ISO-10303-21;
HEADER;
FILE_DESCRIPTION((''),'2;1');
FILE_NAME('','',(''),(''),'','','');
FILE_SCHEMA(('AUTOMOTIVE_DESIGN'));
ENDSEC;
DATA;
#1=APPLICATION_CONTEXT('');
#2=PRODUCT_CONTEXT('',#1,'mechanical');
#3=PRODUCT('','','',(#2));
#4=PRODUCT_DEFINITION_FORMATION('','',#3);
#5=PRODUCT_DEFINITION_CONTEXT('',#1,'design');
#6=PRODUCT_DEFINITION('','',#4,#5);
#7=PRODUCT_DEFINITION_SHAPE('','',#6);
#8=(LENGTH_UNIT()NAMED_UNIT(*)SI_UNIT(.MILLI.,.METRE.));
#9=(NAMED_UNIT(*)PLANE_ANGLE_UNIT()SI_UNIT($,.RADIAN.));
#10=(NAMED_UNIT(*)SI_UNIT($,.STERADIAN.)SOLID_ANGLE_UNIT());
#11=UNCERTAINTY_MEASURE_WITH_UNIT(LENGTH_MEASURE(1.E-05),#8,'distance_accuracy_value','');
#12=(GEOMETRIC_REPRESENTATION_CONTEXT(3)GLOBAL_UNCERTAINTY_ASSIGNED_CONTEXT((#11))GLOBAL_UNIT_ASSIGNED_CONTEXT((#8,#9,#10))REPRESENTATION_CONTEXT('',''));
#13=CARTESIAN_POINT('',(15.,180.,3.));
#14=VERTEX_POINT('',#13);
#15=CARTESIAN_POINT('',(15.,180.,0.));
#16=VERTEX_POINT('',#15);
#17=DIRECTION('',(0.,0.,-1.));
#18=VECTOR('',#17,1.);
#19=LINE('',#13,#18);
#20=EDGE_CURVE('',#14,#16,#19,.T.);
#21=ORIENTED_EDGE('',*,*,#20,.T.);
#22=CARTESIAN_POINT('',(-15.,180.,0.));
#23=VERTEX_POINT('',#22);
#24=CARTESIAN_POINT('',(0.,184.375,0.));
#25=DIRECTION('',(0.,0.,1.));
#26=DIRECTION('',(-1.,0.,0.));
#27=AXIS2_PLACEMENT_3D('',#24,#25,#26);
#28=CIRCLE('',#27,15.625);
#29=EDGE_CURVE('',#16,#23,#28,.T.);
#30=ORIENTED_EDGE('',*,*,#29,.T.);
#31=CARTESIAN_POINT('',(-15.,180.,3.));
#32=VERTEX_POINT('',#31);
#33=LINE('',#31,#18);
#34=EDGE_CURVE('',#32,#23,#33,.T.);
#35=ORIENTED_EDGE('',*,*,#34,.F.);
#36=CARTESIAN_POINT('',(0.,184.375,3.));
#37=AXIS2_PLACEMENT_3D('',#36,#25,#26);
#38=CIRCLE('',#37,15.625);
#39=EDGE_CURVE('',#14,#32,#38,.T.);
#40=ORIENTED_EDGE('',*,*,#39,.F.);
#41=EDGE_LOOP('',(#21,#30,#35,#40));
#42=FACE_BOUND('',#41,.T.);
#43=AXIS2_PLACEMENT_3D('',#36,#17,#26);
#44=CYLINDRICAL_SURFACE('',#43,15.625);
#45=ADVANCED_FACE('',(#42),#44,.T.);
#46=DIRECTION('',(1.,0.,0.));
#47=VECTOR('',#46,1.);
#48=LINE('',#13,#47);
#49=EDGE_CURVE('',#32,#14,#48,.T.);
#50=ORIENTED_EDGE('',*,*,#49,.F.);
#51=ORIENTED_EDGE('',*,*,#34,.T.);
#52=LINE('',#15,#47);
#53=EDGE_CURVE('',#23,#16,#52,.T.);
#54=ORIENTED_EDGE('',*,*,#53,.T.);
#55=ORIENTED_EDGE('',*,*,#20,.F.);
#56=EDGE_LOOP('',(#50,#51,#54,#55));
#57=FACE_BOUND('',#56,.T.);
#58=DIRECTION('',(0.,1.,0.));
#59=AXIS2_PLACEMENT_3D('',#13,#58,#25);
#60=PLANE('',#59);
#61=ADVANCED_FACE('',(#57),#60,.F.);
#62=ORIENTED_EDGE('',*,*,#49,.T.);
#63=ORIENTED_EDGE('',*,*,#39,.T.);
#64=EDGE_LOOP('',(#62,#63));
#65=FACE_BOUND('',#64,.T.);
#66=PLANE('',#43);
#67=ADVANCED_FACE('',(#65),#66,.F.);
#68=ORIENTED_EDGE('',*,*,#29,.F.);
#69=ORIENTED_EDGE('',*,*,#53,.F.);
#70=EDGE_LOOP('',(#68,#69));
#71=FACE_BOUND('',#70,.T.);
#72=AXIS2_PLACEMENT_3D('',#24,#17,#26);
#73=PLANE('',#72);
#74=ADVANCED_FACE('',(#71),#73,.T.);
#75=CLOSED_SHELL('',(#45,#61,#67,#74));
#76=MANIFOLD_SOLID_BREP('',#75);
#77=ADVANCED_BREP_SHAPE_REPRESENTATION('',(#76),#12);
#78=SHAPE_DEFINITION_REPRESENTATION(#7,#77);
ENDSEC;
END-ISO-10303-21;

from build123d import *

# Parameters (mm, degrees)
BOSS_EXTRUDE1_DEPTH = 3


with BuildPart() as part:
    # Sketch1 → Boss-Extrude1 (new body)
    with BuildSketch(Plane.XY):
        with BuildLine():
            Line((15, 180), (0, 180))
            Line((0, 180), (0, 200))
            ThreePointArc((0, 200), (12.5, 193.75), (15, 180))
        make_face()
    boss_extrude1 = extrude(amount=BOSS_EXTRUDE1_DEPTH)

    # Mirror1: Boss-Extrude1 across plane
    add(boss_extrude1.mirror(Plane(origin=(0, 180, 3), x_dir=(0, 0, 1), z_dir=(1, 0, 0))))


solid = part.part
